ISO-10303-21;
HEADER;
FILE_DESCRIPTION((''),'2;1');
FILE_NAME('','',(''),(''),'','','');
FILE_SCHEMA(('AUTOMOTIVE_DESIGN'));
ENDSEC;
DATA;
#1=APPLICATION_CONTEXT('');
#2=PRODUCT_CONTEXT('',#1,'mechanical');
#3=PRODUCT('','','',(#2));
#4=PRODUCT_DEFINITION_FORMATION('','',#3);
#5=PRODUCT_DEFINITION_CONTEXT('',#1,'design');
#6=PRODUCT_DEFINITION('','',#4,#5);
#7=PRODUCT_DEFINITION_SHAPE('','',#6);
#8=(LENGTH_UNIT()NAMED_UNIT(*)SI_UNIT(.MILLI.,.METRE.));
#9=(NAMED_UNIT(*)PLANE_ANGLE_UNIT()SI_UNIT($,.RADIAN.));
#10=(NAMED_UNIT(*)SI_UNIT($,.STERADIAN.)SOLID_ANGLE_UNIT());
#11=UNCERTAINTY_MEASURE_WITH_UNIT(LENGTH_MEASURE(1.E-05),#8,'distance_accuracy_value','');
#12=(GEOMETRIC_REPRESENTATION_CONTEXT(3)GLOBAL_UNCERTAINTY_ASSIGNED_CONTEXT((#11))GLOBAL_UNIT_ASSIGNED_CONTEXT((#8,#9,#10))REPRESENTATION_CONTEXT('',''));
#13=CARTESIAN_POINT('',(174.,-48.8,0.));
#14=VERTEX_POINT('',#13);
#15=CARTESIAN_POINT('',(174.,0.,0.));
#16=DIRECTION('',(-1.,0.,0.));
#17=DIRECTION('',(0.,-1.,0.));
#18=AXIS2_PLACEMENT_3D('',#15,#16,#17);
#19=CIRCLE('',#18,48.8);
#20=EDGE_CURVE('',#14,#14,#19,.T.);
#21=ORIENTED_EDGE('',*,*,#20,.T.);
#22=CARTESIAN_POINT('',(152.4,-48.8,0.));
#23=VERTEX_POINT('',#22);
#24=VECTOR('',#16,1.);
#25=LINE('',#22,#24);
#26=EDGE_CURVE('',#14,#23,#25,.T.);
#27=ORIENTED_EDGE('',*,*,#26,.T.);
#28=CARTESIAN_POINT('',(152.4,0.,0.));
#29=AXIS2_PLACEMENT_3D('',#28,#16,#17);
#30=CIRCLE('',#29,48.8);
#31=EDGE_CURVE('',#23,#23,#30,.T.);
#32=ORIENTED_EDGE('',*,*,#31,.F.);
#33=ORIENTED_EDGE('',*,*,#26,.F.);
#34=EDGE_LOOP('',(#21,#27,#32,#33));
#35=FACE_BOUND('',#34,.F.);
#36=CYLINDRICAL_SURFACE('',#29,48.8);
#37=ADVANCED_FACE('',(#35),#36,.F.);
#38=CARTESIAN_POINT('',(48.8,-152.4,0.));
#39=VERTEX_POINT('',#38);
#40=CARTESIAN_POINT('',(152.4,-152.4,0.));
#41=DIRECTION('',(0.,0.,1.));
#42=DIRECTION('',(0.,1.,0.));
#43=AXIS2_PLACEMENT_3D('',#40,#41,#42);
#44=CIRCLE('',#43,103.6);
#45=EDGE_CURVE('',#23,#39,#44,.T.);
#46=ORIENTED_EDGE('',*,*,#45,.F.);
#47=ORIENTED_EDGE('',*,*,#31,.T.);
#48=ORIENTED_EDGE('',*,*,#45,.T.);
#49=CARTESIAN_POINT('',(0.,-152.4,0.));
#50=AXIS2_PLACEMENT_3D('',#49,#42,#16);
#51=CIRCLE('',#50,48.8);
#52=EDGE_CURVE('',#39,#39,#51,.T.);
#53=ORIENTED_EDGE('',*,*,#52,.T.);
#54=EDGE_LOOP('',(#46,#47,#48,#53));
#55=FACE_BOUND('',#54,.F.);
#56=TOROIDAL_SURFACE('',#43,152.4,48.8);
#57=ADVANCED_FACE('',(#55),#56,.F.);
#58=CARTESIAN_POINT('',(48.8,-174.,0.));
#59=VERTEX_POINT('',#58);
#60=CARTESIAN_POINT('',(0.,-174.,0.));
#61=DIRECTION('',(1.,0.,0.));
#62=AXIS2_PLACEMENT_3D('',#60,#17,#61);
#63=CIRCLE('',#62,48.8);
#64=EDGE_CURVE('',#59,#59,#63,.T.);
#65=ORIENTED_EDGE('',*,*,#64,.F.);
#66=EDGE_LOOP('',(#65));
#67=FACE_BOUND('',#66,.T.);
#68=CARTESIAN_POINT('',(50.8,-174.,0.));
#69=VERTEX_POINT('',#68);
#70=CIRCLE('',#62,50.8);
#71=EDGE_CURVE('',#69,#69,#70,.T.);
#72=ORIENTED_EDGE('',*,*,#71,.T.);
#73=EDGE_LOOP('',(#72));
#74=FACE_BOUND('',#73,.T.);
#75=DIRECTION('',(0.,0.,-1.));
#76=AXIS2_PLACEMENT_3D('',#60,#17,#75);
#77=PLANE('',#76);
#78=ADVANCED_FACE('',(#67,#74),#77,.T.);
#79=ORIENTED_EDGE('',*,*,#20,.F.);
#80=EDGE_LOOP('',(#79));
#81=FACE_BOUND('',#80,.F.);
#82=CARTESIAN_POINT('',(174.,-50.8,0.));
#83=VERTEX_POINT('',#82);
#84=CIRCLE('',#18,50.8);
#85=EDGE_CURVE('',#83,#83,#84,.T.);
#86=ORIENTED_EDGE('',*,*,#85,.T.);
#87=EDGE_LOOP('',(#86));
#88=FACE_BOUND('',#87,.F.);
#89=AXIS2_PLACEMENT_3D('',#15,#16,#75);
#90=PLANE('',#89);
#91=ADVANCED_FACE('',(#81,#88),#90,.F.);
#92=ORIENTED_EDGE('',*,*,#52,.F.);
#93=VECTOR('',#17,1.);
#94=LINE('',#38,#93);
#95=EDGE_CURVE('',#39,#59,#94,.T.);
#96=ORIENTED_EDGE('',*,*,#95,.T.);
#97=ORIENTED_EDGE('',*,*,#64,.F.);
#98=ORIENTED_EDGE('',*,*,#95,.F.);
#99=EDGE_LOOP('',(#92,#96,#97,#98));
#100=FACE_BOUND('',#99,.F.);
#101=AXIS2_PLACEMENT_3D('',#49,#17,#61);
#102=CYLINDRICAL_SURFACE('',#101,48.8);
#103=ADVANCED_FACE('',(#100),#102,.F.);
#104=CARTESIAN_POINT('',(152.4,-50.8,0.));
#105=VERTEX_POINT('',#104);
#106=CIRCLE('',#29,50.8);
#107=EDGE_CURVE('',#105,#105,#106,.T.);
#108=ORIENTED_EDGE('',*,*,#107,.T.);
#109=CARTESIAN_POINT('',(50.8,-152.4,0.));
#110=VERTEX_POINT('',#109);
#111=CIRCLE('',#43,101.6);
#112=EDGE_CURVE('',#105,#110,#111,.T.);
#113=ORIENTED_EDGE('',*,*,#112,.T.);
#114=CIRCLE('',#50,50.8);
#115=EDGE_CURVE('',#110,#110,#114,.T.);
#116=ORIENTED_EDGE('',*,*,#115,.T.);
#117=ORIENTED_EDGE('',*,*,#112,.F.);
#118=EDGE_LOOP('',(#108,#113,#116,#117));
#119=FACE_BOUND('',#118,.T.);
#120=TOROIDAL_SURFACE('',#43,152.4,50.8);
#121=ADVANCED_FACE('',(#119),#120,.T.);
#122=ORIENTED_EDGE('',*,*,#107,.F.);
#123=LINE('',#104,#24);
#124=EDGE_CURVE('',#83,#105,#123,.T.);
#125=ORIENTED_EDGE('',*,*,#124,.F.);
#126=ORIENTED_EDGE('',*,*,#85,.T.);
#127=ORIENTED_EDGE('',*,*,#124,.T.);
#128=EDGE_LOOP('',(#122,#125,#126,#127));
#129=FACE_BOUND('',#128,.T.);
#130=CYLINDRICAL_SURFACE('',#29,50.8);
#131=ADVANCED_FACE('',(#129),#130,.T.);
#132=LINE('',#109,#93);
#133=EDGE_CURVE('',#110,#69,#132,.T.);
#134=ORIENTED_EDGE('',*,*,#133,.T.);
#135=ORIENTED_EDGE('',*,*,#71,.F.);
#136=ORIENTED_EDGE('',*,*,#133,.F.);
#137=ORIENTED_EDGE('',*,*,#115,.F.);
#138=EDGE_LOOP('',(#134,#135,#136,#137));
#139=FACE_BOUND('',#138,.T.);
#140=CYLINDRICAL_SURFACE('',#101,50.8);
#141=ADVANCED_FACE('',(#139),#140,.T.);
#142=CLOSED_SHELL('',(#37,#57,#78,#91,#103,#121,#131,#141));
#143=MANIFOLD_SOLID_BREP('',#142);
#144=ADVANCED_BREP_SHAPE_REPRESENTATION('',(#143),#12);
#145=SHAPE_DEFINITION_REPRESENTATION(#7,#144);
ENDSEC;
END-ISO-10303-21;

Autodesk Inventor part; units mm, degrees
ref_plane "YZ Plane" through (0, 0, 0) normal (1, 0, 0) x (0, 1, 0)
ref_plane "XZ Plane" through (0, 0, 0) normal (0, 1, 0) x (-1, 0, 0)
sketch "Szkic6" plane through (0, 0, 0) normal (0, 0, 1) x (1, 0, 0)
  line L0 (-29.6067, 0) -> (35.2678, 0) construction
  line L1 (0, 42.3419) -> (0, -58.3726) construction
  arc A0 (152.4, 0) -> (0, -152.4) centre (152.4, -152.4) ccw
  line L2 (0, -152.4) -> (152.4, -152.4) construction
  line L3 (152.4, -152.4) -> (152.4, -86.8669) construction
  line L4 (152.4, 0) -> (174, 0)
  line L5 (0, -152.4) -> (0, -174)
  point P0 (0, 0)
  dimension "d24" = 152.4
  dimension "d31" = 90
  dimension "d36" = 21.6
  dimension "d37" = 21.6
ref_plane "Płaszczyzna konstrukcyjna2" through (0, -152.4, 0) normal (0, -1, 0) x (1, 0, 0)
sketch "Szkic8" plane through (0, -152.4, 0) normal (0, -1, 0) x (1, 0, 0)
  circle A0 centre (0, 0) radius 50.8
  circle A1 centre (0, 0) radius 48.8
  dimension "d32" = 101.6
  dimension "d33" = 2
sweep "Przeciągnięcie2" add profiles "Szkic8" path "Szkic6"
equation "\"d32\" = OD"
equation "\"d33\" = THK"
equation "\"d24\" = R"
equation "\"d31\" = KAT"
equation "\"d36\" = PROSTKA"
equation "\"d37\" = PROSTKA"
equation "\"SzerokośćGięciaPodcięcia\" = Grubość"
equation "\"RozmiarPodcięciaNarożnika\" = 4 * Grubość"
equation "\"PromieńPrzejścia\" = PromieńGięcia"
equation "\"Rozmiar_promienia_Jacobiego\" = PromieńGięcia"
equation "\"Wielk_odstępu\" = Grubość"
equation "\"d2\" = PromieńGięcia"
equation "\"d23\" = PromieńGięcia"
equation "\"R\" = 152.4"
equation "\"OD\" = 101.6"
equation "\"THK\" = 2"
equation "\"KAT\" = 90deg"
equation "\"PROSTKA\" = 21.6"
equation "\"Grubość\" = 1.5"
equation "\"PromieńGięcia\" = 3"
properties part number "Kolano 90° ø101,6x2 R152,4" material "304L"
